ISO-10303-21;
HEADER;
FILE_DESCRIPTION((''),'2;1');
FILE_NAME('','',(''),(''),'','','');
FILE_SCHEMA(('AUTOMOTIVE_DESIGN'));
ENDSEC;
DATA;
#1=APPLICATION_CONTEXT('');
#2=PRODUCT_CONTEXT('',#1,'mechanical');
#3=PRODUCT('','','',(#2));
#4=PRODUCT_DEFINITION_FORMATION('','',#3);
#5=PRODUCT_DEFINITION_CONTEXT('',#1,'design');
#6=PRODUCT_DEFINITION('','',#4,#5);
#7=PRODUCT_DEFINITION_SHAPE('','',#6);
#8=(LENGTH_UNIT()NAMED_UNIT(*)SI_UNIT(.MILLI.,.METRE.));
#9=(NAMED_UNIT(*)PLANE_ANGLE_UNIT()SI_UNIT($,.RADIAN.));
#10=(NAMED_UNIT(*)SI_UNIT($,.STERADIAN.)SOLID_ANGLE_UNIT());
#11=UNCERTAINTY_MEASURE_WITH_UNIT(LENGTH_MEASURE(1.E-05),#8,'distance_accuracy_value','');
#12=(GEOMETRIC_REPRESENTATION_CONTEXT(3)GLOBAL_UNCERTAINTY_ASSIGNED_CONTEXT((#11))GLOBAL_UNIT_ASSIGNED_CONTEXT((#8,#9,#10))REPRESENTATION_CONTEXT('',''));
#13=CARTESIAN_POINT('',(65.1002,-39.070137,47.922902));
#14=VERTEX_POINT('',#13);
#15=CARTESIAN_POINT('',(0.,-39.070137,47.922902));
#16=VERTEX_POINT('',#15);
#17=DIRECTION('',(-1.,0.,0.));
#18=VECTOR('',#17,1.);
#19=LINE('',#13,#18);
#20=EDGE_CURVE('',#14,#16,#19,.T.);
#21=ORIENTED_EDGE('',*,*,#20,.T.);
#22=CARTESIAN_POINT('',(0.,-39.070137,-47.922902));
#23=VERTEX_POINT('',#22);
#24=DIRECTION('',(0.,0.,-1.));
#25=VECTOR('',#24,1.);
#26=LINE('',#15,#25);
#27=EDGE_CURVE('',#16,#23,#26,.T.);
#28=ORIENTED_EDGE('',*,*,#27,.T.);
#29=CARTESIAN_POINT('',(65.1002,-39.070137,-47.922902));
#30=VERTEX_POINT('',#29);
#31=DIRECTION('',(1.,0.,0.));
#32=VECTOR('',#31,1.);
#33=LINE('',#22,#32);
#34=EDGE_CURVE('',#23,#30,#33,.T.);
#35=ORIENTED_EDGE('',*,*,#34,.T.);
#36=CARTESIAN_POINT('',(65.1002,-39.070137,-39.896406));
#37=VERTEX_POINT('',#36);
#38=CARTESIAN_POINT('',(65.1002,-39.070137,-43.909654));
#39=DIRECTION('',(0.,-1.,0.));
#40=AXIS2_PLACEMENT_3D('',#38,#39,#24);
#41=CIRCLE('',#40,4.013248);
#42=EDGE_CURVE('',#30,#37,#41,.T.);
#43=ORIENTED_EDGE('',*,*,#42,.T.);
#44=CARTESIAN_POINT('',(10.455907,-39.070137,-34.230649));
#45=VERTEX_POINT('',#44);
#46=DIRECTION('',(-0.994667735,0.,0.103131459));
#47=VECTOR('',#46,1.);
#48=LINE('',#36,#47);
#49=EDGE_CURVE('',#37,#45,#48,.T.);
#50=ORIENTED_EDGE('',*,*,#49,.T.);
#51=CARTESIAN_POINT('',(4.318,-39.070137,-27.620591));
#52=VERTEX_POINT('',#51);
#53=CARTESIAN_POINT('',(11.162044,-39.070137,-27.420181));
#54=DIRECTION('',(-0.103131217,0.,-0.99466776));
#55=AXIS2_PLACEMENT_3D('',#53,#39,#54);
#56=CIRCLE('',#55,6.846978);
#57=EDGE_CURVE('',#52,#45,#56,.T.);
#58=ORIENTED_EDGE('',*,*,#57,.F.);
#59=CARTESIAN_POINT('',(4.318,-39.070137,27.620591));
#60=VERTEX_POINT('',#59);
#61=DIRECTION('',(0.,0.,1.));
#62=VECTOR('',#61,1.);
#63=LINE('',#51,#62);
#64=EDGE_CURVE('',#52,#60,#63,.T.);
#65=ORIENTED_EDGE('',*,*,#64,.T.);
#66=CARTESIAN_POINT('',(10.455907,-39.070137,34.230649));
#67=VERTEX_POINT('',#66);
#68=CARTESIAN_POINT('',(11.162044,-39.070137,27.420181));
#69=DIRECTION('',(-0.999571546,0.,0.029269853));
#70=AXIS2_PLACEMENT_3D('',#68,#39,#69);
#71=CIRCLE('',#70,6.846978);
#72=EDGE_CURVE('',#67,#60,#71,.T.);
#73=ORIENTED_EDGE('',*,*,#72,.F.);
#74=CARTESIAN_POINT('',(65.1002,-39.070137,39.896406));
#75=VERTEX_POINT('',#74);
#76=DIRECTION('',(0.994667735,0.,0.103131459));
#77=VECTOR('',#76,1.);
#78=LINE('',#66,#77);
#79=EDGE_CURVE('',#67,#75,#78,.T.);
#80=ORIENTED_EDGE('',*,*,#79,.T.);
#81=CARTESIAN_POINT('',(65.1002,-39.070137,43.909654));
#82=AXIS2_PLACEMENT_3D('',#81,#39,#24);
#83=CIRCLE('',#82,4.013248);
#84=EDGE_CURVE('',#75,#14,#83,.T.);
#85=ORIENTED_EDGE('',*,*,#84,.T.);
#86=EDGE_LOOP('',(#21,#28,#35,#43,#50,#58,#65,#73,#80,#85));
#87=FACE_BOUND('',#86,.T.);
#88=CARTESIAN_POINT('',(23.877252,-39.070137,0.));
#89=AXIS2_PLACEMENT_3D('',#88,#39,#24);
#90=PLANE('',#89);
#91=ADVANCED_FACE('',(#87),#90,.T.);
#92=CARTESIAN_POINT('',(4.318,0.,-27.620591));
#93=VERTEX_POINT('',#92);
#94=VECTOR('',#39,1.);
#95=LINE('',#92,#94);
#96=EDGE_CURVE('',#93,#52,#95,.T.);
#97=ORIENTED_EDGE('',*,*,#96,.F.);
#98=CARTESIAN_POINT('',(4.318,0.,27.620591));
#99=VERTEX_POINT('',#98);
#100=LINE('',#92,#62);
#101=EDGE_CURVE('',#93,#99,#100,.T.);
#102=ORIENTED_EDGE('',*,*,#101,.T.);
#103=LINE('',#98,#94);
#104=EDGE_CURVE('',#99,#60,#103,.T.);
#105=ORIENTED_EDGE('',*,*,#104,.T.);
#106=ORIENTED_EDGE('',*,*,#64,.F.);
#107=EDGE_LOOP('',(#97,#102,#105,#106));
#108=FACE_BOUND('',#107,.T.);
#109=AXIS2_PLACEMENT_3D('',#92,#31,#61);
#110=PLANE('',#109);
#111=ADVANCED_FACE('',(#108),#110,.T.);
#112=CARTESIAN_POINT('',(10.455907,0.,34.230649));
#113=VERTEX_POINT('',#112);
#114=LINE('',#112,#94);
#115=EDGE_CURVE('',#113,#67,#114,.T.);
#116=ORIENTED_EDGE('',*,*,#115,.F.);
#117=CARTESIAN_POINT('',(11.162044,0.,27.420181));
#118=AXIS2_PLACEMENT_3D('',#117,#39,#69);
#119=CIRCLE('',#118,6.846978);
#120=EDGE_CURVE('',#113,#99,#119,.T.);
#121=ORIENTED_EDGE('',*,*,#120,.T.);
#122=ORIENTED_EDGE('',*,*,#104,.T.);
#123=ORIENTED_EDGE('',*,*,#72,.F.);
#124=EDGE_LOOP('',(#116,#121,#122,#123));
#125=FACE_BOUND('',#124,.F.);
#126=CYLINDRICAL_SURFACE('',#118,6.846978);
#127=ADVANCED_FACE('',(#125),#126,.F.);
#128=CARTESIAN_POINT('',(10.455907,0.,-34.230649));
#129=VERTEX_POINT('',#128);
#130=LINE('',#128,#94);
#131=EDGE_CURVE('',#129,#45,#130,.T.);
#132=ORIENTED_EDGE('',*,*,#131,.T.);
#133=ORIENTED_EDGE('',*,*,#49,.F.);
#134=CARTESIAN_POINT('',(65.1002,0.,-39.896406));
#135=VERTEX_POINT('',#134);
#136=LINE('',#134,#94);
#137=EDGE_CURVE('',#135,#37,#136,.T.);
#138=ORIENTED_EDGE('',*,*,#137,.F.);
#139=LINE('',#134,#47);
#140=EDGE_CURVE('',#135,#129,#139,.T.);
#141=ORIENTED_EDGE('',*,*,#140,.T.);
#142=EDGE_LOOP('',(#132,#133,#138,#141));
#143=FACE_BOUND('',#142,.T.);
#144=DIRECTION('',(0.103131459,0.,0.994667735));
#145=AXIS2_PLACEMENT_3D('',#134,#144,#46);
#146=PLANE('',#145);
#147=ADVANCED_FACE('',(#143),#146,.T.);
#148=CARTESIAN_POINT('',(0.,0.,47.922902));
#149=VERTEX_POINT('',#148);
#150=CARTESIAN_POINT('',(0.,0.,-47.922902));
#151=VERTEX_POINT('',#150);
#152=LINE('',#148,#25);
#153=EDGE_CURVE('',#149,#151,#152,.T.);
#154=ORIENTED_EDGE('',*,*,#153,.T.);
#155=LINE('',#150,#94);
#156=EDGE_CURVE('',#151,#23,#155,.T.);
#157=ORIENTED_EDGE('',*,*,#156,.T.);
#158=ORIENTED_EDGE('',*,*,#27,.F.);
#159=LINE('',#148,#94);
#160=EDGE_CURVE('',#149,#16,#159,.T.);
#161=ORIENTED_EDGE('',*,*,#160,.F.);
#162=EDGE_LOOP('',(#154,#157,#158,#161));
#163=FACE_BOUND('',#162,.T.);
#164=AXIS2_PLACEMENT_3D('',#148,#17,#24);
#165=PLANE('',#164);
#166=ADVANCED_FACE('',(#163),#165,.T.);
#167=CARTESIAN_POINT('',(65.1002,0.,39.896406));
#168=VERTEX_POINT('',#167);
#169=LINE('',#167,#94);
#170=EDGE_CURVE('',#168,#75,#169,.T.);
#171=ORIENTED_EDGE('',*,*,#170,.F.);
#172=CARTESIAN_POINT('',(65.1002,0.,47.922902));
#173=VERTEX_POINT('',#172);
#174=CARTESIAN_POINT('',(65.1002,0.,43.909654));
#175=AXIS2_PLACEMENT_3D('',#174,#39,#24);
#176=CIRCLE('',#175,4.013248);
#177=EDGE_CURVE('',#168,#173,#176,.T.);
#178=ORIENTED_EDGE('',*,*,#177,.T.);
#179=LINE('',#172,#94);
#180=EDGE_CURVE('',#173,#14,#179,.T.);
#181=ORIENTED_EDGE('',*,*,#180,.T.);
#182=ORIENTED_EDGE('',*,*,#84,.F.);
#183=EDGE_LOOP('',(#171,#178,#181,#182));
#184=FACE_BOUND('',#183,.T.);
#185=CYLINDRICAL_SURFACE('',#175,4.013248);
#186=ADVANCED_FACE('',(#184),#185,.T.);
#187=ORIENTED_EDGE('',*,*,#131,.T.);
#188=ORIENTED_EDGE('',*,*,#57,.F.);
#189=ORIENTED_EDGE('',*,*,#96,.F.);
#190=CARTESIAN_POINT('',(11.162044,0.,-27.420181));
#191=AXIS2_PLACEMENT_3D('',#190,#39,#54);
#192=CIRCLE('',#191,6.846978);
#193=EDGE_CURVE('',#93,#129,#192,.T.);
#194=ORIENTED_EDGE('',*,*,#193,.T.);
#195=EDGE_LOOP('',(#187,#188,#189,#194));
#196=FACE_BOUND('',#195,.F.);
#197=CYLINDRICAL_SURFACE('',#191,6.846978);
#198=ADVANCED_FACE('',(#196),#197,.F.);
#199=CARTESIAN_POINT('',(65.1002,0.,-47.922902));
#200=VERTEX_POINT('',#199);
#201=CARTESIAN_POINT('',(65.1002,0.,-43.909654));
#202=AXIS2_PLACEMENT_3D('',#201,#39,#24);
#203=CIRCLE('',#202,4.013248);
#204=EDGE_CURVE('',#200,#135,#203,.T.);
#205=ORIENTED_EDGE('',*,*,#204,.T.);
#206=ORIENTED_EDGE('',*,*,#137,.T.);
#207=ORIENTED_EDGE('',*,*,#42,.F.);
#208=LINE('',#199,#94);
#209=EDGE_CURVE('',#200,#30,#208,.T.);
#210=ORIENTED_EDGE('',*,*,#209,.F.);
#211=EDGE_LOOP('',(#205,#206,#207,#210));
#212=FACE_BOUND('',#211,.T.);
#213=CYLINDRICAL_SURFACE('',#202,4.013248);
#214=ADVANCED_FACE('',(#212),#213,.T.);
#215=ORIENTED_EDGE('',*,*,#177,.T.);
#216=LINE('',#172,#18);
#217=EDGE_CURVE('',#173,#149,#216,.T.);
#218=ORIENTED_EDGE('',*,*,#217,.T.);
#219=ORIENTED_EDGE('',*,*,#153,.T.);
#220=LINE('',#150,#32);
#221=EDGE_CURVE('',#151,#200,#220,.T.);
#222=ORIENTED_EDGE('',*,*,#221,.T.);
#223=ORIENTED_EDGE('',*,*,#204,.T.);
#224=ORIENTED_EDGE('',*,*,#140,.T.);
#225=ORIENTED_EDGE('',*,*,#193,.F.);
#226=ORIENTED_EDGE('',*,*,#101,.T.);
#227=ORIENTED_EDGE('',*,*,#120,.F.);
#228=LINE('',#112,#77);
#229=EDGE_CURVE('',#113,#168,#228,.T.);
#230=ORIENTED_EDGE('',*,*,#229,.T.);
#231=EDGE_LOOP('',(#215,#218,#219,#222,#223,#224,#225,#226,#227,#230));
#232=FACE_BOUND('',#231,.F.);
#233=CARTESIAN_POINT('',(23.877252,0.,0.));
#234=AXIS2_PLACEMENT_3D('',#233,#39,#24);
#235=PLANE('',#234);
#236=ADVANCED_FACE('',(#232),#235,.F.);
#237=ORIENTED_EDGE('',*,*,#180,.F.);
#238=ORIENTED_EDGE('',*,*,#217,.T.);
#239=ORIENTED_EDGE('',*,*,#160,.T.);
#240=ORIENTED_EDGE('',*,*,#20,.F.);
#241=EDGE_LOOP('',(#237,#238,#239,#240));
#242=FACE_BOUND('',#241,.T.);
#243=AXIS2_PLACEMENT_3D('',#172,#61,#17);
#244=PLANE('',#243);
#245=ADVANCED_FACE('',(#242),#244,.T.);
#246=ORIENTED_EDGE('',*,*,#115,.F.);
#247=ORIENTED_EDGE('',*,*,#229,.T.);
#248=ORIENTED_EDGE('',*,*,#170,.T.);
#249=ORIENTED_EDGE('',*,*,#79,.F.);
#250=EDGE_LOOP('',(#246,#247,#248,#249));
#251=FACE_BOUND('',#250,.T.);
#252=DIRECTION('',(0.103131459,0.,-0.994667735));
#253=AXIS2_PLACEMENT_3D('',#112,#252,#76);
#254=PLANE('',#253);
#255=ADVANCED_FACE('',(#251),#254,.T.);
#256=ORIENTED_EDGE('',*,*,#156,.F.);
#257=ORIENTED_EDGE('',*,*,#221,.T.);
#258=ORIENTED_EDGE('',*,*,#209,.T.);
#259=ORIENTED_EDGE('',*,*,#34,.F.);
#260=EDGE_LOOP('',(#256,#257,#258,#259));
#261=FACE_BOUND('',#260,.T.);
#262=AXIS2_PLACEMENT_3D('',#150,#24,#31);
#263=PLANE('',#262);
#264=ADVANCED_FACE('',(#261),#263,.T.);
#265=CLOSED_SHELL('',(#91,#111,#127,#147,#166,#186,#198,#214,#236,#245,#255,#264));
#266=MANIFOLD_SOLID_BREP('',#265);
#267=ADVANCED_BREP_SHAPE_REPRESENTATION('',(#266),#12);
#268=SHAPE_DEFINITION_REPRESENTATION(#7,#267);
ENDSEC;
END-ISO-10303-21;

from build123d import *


with BuildPart() as f2:
    # F2: sweep along a path in F1
    with BuildLine(Plane.YZ) as f2_path:
        Line((0, -49.339343), (-39.070137, -49.339343))
    # F0 (on Front) → F2 (sweep)
    with BuildSketch(Plane.XZ):
        with BuildLine():
            Line((0, 47.922902), (0, 0))
            Line((0, 0), (0, -47.922902))
            Line((0, -47.922902), (65.1002, -47.922902))
            ThreePointArc((65.1002, -47.922902), (69.113448, -43.909654), (65.1002, -39.896406))
            Line((65.1002, -39.896406), (10.455907, -34.230649))
            ThreePointArc((10.455907, -34.230649), (6.144622, -32.079213), (4.318, -27.620591))
            Line((4.318, -27.620591), (4.318, 0))
            Line((4.318, 0), (4.318, 27.620591))
            ThreePointArc((4.318, 27.620591), (6.144622, 32.079213), (10.455907, 34.230649))
            Line((10.455907, 34.230649), (65.1002, 39.896406))
            ThreePointArc((65.1002, 39.896406), (69.113448, 43.909654), (65.1002, 47.922902))
            Line((65.1002, 47.922902), (0, 47.922902))
        make_face()
    sweep(path=f2_path.line)


solid = f2.part
